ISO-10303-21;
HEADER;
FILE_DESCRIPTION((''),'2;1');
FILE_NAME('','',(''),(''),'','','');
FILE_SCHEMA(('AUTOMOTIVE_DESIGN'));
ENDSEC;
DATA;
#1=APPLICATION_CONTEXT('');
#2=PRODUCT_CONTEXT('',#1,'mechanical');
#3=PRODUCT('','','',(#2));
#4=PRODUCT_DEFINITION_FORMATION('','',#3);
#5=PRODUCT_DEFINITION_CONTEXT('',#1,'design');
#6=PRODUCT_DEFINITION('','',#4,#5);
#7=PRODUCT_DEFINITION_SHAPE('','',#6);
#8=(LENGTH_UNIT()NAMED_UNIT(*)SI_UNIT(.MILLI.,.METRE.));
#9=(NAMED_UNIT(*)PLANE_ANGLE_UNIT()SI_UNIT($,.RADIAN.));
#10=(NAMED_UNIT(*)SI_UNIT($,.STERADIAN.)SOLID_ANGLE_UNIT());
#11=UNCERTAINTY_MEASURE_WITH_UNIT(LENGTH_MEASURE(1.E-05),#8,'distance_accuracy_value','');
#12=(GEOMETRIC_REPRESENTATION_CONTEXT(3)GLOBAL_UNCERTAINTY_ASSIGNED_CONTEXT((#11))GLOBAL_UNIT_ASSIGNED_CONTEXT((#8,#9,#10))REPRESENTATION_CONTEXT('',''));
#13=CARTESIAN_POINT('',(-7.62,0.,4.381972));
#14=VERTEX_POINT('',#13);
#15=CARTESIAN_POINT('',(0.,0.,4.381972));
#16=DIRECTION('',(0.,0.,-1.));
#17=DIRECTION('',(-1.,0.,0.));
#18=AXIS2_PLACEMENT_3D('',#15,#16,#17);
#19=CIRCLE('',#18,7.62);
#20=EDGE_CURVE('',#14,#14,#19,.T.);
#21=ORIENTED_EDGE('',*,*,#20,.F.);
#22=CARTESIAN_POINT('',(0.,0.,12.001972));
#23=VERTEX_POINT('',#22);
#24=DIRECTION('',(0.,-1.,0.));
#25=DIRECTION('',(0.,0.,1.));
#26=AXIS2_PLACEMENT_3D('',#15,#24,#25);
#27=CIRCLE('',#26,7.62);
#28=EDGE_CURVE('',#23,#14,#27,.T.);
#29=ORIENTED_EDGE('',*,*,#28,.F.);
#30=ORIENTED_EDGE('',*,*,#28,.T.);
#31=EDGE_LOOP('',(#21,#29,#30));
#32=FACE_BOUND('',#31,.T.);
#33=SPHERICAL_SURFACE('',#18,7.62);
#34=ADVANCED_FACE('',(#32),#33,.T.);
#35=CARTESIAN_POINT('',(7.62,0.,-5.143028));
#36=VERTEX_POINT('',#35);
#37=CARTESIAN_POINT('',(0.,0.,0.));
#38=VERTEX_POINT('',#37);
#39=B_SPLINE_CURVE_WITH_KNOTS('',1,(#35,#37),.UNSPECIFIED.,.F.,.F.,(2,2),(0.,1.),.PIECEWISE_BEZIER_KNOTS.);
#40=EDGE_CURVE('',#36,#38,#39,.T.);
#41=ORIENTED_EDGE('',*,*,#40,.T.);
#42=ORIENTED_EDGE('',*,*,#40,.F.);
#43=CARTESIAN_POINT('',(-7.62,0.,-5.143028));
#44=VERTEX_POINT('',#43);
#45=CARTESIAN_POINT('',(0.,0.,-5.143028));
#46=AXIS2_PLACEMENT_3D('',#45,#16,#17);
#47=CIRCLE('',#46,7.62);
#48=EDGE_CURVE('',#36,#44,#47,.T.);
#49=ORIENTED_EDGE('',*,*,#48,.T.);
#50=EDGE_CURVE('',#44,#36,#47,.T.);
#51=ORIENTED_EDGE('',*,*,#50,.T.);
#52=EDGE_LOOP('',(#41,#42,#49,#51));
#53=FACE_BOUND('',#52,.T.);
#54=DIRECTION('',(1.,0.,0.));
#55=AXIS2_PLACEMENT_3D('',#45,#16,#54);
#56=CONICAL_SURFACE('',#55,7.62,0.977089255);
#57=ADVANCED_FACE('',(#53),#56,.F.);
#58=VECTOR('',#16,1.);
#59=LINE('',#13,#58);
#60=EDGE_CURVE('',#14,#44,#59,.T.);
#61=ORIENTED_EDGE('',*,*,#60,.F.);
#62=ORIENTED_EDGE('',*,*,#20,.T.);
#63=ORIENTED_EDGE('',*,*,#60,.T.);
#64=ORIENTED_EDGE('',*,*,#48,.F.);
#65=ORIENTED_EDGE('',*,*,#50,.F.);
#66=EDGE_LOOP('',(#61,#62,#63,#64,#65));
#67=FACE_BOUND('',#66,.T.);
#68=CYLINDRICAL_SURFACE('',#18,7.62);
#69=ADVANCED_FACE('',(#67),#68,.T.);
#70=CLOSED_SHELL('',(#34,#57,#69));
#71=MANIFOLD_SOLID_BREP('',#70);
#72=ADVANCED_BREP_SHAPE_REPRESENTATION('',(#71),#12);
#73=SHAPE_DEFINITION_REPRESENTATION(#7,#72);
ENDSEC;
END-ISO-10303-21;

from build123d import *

# Parameters (mm, degrees)
F1_FACE_R = 7.62


with BuildPart() as f1:
    # F0 (on Front) → F1 (revolve)
    with BuildSketch(Plane.XZ):
        with BuildLine():
            Line((-7.62, 4.3819724477), (-7.62, -5.1430275523))
            Line((-7.62, -5.1430275523), (0, -5.1430275523))
            Line((0, -5.1430275523), (0, 12.0019724477))
            ThreePointArc((0, 12.0019724477), (-5.3881536726, 9.7701261203), (-7.62, 4.3819724477))
        make_face()
    revolve(axis=Axis((0, 0, 3.4294724477), (0, 0, -1)))

    # F1_face (on face) → F2 section 0
    with BuildSketch(Plane(origin=(0, 0, -5.1430275523), x_dir=(1, 0, 0), z_dir=(0, 0, -1)), mode=Mode.PRIVATE) as f2_s0:
        Circle(F1_FACE_R)
    loft([f2_s0.sketch, Vertex(0, 0, 0)], mode=Mode.SUBTRACT)


solid = f1.part
